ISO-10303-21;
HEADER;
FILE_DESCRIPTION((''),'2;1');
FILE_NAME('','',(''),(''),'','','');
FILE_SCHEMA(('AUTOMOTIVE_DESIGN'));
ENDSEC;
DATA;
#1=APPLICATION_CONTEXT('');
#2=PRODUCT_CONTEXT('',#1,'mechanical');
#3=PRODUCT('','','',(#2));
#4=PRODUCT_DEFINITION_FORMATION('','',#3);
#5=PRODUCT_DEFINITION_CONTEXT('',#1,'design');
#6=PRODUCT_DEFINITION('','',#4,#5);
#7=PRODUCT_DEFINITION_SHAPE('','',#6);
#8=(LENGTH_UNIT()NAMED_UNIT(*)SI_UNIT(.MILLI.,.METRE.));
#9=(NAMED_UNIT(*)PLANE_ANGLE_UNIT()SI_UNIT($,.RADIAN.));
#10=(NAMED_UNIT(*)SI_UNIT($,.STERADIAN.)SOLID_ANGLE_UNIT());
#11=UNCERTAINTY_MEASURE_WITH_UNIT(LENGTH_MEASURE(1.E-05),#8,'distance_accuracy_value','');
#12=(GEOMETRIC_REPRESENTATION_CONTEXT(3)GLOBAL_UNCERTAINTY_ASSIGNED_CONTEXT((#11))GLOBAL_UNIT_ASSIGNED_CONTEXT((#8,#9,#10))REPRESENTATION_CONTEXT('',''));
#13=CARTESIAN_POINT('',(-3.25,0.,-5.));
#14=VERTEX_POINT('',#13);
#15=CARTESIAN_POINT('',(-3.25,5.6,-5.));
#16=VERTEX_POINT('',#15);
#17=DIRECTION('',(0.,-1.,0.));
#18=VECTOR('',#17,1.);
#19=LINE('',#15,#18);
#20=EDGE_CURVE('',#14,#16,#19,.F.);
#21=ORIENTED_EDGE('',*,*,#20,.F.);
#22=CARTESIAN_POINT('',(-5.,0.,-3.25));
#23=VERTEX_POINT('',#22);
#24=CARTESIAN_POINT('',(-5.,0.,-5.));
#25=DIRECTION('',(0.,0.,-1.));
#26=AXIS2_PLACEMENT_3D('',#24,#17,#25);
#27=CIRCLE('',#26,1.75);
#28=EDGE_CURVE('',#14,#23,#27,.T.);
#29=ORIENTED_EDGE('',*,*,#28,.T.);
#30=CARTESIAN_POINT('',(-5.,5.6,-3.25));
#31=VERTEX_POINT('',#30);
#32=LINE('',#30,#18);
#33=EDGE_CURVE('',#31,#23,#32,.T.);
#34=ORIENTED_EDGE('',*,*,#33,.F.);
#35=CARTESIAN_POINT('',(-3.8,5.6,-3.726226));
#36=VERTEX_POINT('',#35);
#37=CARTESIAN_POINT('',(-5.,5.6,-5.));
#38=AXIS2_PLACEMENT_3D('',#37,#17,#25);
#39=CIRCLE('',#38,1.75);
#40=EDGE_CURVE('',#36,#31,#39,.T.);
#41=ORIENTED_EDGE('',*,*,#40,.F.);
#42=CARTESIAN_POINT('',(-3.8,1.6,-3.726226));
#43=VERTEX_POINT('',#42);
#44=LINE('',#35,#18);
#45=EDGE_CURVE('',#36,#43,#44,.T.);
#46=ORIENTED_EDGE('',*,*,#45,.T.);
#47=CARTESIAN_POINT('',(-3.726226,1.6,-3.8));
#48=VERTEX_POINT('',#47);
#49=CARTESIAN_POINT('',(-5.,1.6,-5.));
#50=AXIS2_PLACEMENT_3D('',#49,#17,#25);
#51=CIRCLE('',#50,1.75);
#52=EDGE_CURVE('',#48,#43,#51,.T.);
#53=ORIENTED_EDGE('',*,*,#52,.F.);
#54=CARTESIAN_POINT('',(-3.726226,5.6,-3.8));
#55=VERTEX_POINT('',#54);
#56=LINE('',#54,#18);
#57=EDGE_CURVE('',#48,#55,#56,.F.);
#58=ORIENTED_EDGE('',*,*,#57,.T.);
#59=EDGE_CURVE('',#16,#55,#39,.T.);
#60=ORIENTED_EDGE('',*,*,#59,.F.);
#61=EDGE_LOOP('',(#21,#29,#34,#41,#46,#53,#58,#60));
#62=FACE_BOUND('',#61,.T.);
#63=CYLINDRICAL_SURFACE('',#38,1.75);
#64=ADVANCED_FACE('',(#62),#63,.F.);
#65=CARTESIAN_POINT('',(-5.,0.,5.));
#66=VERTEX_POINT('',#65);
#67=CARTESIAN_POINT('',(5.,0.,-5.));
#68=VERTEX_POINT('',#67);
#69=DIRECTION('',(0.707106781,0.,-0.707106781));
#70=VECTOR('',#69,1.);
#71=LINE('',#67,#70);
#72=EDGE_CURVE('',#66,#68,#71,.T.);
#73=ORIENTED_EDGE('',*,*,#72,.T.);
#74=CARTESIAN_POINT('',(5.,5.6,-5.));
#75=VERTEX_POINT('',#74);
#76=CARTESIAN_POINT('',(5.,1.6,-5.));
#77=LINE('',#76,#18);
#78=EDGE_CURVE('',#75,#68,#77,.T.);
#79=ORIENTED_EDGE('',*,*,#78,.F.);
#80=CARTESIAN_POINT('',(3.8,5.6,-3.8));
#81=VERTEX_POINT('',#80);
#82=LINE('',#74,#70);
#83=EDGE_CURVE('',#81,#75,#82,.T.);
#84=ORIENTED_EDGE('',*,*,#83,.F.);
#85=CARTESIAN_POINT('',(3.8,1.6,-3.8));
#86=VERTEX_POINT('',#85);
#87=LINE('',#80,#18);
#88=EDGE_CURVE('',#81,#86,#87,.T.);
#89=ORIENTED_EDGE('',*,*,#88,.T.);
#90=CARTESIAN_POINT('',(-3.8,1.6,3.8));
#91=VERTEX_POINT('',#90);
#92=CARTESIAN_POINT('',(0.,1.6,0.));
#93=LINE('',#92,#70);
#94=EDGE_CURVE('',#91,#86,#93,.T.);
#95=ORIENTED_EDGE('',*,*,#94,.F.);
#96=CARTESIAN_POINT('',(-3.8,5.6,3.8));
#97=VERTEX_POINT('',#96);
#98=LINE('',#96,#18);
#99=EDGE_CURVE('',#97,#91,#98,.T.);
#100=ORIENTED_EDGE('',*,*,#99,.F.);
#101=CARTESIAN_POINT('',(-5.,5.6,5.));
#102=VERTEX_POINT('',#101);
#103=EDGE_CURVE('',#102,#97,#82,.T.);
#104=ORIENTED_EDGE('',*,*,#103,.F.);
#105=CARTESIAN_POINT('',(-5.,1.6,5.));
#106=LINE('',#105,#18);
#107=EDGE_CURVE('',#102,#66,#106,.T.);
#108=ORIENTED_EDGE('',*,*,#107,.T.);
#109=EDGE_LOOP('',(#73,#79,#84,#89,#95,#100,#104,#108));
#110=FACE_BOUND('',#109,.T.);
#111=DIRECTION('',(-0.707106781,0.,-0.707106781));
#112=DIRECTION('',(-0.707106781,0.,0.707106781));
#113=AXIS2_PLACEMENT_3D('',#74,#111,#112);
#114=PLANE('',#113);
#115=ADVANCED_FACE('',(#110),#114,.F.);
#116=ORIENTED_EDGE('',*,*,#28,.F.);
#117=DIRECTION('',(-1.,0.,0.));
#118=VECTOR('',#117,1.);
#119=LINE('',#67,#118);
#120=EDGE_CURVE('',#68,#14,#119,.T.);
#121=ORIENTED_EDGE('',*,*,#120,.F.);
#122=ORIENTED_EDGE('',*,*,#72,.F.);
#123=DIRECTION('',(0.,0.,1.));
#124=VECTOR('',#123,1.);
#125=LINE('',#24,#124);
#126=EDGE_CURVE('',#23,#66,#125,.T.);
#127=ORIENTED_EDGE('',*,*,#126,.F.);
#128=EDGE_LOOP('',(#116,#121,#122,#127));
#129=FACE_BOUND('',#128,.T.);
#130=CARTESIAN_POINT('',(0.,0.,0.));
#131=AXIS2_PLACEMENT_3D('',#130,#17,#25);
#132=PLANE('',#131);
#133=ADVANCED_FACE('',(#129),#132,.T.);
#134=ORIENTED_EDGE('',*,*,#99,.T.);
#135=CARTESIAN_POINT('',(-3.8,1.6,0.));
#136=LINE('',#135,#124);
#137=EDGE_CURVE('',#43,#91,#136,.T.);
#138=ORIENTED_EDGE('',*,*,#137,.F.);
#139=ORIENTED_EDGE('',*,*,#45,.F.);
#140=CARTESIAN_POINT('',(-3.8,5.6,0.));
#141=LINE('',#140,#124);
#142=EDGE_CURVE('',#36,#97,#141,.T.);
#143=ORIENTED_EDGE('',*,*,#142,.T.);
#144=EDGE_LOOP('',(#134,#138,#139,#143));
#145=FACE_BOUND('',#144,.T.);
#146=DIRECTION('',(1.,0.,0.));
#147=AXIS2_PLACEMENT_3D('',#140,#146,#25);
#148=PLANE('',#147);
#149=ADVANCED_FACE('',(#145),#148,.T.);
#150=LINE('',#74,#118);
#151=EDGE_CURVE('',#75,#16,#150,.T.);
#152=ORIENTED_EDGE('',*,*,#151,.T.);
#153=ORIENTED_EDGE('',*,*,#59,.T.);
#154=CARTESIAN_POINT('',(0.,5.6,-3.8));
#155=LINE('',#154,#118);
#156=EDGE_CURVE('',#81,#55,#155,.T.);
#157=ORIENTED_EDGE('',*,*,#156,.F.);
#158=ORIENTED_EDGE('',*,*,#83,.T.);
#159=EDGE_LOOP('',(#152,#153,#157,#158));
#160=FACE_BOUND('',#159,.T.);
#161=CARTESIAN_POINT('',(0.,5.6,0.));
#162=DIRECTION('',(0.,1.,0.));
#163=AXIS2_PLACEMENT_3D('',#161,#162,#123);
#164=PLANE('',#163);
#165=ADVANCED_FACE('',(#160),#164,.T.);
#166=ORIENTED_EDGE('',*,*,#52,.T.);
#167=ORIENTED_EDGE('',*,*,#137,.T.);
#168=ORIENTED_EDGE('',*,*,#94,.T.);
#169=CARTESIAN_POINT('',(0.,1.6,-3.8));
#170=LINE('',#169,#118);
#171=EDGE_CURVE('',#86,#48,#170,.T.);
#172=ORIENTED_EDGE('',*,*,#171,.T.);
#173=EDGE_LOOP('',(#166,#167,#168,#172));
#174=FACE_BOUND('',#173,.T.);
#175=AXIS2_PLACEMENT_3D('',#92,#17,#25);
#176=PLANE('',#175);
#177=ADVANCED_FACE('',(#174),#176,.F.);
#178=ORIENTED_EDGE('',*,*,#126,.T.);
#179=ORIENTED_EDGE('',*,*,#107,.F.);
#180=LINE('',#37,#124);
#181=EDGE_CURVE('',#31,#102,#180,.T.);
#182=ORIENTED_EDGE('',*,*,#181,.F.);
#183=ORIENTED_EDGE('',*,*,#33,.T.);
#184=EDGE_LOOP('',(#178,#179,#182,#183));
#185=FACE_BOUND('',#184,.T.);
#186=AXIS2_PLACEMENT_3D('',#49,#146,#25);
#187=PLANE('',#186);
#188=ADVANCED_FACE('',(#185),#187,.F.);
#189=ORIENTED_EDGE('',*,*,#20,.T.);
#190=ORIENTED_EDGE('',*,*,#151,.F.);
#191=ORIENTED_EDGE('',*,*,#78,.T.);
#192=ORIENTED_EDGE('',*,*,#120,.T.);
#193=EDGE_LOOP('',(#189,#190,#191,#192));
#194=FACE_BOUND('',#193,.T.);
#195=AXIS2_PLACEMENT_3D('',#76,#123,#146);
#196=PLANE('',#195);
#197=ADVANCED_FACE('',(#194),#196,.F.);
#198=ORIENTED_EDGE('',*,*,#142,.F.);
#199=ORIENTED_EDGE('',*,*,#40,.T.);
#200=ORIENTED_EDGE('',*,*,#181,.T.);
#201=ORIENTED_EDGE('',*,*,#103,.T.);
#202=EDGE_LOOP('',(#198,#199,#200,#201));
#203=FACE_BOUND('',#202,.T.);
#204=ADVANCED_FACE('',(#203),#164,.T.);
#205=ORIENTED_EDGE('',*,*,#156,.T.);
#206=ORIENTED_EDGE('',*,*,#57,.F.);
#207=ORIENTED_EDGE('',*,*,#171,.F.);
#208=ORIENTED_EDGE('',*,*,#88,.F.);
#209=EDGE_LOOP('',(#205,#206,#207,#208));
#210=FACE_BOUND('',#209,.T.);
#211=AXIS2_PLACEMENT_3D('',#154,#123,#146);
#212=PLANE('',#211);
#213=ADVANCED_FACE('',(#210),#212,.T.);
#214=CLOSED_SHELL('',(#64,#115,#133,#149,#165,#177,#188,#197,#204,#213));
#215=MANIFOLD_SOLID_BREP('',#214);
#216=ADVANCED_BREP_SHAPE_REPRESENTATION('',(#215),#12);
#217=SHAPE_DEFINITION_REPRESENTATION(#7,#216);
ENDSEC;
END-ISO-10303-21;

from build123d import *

# Parameters (mm, degrees)
SKETCH2_W           = 10
SKETCH2_H           = 10
BOSS_EXTRUDE1_DEPTH = 1.6
SKETCH4_W           = 10
SKETCH4_H           = 10
SKETCH4_W_2         = 7.6
SKETCH4_H_2         = 7.6
EXTRUDE_THIN1_DEPTH = 4
CUT_EXTRUDE1_DEPTH  = 5.6
SKETCH6_R           = 1.75
CUT_EXTRUDE2_DEPTH  = 5.6


with BuildPart() as part:
    # Sketch2 → Boss-Extrude1 (new body)
    with BuildSketch(Plane(origin=(0, 0, 0), x_dir=(1, 0, 0), z_dir=(0, 1, 0))):
        Rectangle(SKETCH2_W, SKETCH2_H)
    extrude(amount=BOSS_EXTRUDE1_DEPTH)

    # Sketch4 → Extrude-Thin1 (add)
    with BuildSketch(Plane(origin=(0, 1.6, 0), x_dir=(1, 0, 0), z_dir=(0, 1, 0))):
        Rectangle(SKETCH4_W, SKETCH4_H)
        Rectangle(SKETCH4_W_2, SKETCH4_H_2, mode=Mode.SUBTRACT)
    extrude(amount=EXTRUDE_THIN1_DEPTH)

    # Sketch5 → Cut-Extrude1 (cut)
    with BuildSketch(Plane.XZ):
        Polygon((-5, 5), (5, 5), (5, -5), align=None)
    extrude(amount=-CUT_EXTRUDE1_DEPTH, mode=Mode.SUBTRACT)

    # Sketch6 → Cut-Extrude2 (cut)
    with BuildSketch(Plane.XZ):
        with Locations((-5, -5)):
            Circle(SKETCH6_R)
    extrude(amount=-CUT_EXTRUDE2_DEPTH, mode=Mode.SUBTRACT)


solid = part.part
